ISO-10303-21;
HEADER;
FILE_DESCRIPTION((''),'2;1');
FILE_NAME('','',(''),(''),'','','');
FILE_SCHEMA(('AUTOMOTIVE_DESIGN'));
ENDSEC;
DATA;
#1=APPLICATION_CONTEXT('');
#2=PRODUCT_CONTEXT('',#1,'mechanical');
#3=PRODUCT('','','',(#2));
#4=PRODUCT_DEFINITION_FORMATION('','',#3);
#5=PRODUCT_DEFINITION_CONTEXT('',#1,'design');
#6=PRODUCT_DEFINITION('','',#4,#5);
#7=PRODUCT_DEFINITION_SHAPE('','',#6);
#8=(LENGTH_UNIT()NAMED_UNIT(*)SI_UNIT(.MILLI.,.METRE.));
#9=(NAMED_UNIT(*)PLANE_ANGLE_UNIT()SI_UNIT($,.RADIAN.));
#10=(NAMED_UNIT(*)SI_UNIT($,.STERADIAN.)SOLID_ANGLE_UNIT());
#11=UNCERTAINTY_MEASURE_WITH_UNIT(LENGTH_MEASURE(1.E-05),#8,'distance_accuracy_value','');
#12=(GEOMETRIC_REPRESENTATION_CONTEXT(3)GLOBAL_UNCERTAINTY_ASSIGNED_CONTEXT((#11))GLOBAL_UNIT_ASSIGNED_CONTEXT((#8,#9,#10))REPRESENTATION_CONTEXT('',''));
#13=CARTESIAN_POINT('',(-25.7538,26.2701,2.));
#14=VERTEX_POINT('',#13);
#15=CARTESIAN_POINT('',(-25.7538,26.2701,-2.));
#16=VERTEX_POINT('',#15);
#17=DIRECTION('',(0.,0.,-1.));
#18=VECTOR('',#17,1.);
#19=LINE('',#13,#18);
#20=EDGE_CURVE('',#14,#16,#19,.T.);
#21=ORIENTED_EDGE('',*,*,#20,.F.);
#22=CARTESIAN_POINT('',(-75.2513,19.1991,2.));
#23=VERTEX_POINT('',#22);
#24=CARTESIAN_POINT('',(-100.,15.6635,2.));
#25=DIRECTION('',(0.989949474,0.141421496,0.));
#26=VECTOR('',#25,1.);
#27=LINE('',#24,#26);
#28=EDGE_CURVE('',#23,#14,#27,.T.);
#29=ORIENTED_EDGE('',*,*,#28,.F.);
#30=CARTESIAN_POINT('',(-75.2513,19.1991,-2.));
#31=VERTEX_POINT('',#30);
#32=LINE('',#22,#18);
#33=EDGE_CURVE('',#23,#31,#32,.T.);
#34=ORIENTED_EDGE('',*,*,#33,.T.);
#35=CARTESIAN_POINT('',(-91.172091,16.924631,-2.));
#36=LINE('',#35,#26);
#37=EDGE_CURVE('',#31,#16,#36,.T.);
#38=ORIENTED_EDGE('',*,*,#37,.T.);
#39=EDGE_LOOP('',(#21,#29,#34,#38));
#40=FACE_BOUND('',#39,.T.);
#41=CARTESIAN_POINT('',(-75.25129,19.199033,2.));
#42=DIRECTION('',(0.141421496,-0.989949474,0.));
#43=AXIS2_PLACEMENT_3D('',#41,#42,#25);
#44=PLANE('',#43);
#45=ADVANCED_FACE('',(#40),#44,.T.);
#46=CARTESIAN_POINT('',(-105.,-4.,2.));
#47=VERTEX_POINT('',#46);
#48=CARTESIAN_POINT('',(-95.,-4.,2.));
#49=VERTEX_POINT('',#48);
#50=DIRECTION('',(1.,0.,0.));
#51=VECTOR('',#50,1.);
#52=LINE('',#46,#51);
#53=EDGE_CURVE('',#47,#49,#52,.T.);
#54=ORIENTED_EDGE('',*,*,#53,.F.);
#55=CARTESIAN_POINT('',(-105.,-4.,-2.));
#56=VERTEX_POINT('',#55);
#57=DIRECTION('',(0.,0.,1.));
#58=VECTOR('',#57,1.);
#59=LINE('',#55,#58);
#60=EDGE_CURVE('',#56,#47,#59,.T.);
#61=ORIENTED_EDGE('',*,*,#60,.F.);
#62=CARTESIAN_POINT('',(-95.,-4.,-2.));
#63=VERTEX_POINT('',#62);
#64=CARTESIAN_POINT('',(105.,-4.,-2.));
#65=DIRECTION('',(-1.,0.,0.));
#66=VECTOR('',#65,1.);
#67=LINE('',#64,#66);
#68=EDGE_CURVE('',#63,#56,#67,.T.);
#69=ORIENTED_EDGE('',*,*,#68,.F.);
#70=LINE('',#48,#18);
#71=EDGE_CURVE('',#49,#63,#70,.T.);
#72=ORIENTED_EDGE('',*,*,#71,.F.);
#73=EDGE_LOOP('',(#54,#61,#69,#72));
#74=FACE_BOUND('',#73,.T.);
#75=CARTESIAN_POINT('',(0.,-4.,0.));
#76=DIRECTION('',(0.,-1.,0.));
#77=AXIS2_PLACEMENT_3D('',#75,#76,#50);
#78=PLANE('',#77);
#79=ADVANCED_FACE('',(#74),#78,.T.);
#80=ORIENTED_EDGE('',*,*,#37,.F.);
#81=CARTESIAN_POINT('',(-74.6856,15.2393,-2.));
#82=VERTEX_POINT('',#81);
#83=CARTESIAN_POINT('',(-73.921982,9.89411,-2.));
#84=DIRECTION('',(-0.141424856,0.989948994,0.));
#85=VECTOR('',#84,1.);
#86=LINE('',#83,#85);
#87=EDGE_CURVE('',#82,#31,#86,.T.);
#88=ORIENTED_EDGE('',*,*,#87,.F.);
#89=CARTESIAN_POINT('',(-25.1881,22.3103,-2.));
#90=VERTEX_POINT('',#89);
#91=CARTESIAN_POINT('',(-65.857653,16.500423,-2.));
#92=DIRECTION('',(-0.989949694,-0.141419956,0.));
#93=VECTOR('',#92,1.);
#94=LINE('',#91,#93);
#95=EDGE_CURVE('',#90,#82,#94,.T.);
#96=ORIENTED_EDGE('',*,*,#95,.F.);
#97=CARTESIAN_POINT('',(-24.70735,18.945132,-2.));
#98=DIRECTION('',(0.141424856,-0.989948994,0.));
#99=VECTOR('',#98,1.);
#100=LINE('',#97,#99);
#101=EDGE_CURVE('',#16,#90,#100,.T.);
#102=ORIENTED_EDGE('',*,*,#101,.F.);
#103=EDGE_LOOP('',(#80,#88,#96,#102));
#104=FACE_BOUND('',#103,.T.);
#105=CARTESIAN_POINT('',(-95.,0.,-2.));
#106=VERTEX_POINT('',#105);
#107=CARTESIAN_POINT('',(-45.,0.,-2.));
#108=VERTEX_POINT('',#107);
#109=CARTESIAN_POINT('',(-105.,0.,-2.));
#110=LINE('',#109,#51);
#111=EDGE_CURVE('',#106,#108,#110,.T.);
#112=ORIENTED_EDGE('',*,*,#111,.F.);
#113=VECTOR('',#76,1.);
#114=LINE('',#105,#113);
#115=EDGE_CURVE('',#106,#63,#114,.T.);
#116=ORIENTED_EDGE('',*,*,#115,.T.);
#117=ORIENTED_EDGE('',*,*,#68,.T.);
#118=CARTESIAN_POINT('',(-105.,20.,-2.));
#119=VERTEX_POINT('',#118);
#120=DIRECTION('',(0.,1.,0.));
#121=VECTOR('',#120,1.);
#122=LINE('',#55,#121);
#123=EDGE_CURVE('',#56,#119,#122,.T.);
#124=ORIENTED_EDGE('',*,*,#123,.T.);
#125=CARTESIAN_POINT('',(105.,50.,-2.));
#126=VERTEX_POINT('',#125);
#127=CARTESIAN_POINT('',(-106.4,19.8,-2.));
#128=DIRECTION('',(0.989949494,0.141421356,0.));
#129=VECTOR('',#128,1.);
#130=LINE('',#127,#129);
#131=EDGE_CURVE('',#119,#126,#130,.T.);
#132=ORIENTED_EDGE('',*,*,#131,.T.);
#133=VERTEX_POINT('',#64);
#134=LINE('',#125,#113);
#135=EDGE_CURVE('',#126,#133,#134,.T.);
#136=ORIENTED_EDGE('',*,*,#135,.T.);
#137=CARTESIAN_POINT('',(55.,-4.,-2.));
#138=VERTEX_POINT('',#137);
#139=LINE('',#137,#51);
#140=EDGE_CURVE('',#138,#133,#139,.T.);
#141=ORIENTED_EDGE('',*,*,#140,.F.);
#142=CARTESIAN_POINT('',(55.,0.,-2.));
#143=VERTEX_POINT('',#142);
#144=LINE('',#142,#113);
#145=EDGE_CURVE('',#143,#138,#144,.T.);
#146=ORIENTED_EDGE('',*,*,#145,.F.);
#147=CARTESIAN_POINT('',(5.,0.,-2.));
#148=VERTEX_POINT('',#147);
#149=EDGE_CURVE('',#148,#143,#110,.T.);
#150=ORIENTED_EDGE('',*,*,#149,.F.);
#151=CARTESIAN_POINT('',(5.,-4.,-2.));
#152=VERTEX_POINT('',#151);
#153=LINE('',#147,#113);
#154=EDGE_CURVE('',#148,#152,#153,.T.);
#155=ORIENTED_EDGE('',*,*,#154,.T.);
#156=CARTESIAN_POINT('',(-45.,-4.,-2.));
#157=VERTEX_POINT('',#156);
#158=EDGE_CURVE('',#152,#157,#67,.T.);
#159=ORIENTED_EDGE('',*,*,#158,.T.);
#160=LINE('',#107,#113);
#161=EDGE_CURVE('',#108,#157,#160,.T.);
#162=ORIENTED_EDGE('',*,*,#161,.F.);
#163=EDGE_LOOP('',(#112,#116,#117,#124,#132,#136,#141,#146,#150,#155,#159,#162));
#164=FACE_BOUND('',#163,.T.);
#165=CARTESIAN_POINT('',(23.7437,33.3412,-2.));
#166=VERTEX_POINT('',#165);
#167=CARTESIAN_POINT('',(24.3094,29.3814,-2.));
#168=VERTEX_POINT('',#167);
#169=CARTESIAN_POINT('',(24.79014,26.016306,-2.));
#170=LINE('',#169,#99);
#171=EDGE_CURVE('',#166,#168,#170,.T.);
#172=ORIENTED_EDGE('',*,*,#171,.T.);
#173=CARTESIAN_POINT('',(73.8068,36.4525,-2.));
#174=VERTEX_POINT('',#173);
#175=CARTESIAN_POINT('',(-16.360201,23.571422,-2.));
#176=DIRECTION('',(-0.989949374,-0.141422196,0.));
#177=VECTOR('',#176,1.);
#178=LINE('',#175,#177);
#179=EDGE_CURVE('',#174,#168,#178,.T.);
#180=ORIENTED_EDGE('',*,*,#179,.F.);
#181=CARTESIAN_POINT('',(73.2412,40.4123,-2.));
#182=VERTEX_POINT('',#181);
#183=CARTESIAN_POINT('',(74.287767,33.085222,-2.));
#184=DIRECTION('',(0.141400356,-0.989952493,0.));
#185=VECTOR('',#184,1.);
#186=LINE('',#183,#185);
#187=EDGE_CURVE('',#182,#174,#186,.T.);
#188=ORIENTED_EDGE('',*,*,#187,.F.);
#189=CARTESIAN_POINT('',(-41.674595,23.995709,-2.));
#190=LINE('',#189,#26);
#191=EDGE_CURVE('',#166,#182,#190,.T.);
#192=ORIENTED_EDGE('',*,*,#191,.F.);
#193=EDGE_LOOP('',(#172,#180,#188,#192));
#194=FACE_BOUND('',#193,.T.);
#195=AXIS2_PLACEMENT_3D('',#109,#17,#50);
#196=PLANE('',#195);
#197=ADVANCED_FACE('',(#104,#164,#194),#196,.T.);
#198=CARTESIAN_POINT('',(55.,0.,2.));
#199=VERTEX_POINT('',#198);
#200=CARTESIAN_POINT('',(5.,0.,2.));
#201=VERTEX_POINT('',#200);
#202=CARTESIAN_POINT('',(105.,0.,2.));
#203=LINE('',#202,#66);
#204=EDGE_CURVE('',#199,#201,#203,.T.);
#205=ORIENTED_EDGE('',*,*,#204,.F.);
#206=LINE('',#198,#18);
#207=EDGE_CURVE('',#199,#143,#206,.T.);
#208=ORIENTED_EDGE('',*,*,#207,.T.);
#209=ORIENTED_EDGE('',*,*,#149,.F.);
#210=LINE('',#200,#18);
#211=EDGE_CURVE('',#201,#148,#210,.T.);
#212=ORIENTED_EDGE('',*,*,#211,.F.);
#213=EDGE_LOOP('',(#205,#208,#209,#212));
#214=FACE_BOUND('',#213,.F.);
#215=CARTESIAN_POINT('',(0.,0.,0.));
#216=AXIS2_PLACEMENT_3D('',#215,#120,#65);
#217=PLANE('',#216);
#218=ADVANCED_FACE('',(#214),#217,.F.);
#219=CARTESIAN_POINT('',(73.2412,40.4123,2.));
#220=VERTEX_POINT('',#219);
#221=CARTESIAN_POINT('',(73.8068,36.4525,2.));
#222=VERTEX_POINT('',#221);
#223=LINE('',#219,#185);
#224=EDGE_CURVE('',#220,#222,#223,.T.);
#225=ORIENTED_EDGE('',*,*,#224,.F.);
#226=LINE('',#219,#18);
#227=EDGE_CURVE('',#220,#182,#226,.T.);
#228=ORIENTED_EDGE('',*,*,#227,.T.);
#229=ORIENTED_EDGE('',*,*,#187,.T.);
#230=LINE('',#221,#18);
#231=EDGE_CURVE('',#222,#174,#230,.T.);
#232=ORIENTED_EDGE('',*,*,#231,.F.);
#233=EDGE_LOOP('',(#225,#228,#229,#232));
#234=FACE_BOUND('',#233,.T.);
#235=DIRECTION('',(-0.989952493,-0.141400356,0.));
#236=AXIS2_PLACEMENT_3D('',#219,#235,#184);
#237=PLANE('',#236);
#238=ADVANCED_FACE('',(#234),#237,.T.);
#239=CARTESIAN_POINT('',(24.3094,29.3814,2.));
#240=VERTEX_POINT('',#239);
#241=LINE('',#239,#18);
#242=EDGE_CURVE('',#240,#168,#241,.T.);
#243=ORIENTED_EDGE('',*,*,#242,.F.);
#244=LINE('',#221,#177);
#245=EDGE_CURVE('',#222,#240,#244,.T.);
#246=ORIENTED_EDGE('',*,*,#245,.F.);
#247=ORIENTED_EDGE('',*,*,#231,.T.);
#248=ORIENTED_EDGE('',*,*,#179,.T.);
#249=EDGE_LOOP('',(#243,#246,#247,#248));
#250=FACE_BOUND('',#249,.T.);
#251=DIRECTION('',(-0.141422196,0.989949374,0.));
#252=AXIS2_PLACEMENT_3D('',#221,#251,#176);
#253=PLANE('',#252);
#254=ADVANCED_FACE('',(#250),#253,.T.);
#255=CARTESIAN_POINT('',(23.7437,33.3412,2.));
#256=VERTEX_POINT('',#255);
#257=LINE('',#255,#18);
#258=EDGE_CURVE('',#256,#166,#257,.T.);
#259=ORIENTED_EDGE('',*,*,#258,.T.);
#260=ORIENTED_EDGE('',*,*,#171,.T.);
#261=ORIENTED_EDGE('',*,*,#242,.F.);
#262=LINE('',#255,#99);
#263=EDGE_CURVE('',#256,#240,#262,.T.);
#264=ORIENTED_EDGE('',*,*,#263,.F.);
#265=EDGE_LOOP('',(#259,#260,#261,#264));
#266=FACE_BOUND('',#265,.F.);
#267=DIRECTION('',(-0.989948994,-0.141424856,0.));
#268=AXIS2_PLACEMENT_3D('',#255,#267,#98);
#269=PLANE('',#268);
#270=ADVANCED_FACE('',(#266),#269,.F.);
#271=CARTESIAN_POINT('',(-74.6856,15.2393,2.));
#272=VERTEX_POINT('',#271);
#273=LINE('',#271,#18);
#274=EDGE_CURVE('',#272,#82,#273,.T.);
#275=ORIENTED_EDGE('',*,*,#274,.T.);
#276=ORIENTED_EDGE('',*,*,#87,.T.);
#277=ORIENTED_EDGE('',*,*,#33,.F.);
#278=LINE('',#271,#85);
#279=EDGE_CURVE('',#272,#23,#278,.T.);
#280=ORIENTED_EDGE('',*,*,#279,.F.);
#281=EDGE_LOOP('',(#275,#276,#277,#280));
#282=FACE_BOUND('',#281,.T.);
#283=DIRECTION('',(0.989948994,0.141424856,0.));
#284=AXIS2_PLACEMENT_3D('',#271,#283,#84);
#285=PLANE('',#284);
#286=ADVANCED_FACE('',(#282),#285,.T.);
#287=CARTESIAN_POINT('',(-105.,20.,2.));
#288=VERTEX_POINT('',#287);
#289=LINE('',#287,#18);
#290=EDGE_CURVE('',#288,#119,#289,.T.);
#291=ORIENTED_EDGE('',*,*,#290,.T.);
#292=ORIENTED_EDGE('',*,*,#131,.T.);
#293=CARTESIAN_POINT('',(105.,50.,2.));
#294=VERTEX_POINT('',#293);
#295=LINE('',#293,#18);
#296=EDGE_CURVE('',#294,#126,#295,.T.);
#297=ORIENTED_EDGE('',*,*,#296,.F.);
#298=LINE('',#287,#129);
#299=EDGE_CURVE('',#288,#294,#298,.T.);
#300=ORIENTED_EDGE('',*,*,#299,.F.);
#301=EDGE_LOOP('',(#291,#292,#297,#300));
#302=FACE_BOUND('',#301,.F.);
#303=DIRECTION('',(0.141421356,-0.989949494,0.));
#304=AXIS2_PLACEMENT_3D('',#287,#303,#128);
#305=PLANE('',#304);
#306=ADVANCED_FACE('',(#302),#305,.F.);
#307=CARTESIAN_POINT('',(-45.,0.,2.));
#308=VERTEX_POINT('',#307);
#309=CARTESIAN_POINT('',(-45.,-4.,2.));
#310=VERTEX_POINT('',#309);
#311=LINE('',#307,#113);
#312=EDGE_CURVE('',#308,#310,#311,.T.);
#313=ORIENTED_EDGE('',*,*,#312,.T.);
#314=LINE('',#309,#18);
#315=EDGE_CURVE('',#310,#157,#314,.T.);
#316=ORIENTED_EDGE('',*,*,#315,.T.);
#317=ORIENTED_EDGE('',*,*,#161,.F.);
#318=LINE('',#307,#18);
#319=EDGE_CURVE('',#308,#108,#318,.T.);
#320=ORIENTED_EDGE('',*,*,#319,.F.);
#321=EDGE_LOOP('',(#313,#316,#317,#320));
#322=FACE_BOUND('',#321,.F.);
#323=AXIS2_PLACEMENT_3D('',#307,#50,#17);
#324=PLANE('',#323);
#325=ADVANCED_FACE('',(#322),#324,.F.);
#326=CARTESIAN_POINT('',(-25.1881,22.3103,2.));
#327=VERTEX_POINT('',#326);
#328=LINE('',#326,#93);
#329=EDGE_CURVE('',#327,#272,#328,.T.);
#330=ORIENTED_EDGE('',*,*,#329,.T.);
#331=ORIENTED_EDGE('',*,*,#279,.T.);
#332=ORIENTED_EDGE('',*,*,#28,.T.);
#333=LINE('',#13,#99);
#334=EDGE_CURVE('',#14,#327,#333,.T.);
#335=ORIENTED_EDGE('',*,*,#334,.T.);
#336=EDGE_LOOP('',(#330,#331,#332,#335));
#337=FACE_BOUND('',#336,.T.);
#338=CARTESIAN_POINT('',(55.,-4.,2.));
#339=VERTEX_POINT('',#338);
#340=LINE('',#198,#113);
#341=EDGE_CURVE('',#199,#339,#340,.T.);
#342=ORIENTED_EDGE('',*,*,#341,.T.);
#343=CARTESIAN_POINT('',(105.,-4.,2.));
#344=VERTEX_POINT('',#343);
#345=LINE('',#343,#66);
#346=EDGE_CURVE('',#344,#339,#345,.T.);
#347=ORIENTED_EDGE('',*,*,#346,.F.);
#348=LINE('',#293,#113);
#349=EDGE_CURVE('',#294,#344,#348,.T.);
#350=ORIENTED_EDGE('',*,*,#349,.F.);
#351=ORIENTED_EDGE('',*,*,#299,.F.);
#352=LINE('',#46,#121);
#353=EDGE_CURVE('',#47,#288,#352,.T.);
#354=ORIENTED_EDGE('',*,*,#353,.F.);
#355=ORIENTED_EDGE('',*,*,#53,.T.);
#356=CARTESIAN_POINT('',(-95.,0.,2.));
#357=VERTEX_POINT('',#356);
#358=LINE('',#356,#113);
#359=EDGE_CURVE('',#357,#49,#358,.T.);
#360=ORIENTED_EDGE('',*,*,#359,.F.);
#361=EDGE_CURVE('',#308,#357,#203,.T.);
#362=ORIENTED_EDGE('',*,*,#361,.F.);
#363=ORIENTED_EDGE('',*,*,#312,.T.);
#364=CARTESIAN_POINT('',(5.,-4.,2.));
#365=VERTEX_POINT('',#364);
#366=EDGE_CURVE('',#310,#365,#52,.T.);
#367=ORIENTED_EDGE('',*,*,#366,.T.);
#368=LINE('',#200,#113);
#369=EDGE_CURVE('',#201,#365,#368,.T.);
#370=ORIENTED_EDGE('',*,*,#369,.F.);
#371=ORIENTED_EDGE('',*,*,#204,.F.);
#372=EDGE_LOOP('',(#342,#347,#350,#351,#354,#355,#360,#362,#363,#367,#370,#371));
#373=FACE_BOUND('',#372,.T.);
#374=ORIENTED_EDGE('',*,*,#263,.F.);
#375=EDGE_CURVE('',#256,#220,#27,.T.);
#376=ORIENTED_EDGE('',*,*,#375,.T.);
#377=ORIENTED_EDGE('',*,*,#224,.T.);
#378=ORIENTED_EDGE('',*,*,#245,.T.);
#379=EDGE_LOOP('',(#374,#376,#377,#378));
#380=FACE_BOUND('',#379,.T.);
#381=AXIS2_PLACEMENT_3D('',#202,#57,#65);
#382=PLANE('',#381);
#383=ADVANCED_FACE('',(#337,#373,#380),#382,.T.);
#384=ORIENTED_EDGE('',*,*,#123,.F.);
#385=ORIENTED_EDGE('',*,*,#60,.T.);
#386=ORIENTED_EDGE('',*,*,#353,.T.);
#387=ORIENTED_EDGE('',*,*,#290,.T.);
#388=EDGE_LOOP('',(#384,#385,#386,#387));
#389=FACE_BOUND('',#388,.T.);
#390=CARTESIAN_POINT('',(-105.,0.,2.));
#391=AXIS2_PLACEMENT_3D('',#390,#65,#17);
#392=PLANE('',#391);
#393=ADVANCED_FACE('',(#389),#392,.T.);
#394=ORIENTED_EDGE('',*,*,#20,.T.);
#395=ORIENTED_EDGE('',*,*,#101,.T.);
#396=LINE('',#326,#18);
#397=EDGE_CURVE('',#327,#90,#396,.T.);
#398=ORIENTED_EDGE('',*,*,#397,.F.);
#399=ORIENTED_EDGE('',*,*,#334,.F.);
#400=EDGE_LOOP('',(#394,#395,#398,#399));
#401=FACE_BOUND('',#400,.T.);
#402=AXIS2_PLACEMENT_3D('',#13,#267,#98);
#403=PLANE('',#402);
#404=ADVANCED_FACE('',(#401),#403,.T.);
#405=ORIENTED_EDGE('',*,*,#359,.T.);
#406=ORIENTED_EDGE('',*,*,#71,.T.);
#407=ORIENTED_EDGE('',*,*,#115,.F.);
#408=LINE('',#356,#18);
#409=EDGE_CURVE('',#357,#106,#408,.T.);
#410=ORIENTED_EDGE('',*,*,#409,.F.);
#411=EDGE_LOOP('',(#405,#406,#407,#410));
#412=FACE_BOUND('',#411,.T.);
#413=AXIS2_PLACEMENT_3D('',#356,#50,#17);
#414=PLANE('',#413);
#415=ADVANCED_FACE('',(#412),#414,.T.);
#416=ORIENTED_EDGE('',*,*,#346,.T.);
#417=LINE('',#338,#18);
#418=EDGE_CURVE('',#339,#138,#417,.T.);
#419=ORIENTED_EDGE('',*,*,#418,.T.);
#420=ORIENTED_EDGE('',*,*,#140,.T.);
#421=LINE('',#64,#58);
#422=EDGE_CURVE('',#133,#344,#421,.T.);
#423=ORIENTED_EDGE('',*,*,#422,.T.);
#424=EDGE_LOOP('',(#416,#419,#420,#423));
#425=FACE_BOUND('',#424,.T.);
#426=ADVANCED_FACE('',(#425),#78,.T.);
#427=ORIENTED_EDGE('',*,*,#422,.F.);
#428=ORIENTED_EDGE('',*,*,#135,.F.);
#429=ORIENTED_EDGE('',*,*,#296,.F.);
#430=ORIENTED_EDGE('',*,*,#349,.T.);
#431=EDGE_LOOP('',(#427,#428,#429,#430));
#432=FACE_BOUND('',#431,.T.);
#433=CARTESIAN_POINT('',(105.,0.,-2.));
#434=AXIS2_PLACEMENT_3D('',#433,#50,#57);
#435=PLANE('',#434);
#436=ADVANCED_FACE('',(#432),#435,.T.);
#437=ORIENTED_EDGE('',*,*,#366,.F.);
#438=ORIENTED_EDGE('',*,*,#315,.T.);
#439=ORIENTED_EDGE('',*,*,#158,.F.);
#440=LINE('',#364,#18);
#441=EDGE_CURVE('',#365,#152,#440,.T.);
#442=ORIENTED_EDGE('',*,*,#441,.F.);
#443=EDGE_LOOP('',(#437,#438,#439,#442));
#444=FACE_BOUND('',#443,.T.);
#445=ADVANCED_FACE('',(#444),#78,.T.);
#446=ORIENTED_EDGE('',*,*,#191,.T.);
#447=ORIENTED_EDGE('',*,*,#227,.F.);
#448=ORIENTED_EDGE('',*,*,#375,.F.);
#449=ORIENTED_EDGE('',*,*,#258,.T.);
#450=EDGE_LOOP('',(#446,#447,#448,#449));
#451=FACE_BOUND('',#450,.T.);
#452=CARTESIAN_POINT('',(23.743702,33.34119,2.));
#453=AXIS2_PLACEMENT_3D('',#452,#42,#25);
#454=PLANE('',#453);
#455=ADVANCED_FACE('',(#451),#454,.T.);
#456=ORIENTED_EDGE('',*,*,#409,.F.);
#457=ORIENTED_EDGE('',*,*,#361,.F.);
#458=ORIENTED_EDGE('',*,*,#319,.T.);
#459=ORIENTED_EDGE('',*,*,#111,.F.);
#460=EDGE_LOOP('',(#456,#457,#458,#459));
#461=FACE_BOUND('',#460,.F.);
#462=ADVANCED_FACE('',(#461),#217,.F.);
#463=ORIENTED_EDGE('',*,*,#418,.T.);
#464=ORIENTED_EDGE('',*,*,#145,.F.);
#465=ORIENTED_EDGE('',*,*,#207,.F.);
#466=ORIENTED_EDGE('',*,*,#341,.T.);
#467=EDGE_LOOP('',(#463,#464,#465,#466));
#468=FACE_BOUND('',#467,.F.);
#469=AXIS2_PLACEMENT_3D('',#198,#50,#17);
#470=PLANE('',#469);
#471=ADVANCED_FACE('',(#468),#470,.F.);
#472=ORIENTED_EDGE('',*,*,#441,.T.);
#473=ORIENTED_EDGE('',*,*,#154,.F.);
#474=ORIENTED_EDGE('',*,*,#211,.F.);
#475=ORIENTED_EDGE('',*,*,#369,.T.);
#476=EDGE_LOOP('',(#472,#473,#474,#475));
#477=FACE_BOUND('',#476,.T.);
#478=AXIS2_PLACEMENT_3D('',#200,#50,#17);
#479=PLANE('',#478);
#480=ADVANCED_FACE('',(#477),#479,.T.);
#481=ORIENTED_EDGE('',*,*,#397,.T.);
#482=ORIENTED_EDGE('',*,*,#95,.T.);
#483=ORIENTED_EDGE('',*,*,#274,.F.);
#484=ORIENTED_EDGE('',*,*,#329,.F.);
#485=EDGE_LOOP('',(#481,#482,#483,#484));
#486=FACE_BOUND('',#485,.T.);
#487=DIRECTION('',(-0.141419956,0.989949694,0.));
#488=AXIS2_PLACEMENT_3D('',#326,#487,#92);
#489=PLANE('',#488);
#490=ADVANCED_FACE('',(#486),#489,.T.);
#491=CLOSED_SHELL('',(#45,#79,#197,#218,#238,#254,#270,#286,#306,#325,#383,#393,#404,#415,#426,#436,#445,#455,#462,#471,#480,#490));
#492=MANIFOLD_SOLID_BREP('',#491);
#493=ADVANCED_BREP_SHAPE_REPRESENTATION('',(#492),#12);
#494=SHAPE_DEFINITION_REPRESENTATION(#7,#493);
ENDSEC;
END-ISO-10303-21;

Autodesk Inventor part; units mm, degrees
ref_plane "YZ Plane" through (0, 0, 0) normal (1, 0, 0) x (0, 1, 0)
ref_plane "XZ Plane" through (0, 0, 0) normal (0, 1, 0) x (-1, 0, 0)
ref_plane "XY Plane" through (0, 0, 0) normal (0, 0, 1) x (1, 0, 0)
sketch "Sketch2" plane through (0, 0, 0) normal (0, 1, 0) x (-1, 0, 0)
  line L0 (105, -2) -> (-105, -2)
  line L1 (-105, -2) -> (-105, 2)
  line L2 (-105, 2) -> (105, 2)
  line L3 (105, 2) -> (105, -2)
  line L4 (105, -2) -> (-105, 2) construction
  line L5 (-105, -2) -> (105, 2) construction
  point P0 (0, 0)
  dimension "d1" = 210
  dimension "d2" = 4
extrude "Extrusion1" add sketch "Sketch2" along normal blind 100
sketch "Sketch3" plane through (-105, 0, 2) normal (0, 0, 1) x (1, 0, 0)
  line L0 (0, 0) -> (0, 100) projected
  line L1 (0, 20) -> (210, 50)
  line L2 (210, 0) -> (210, 100) projected
  line L3 (0, 0) -> (210, 0) projected
  line L4 (0, 0) -> (210, 0) projected
  line L5 (210, 0) -> (210, 100) projected
  line L6 (0, 100) -> (210, 100) projected
  line L7 (0, 0) -> (0, 100) projected
  point P0 (105, 0)
  dimension "d5" = 20
  dimension "d37" = 30
extrude "Extrusion2" cut sketch "Sketch3" against normal up to next contours L0 L6 L2 L1
sketch "Sketch4" plane through (0, 0, 0) normal (0, -1, 0) x (1, 0, 0)
  line L0 (105, 2) -> (55, 2)
  line L1 (55, 2) -> (55, -2)
  line L2 (55, -2) -> (105, -2)
  line L3 (105, -2) -> (105, 2)
  line L4 (-105, 2) -> (105, 2) projected
  line L5 (-105, -2) -> (-105, 2) projected
  line L6 (105, -2) -> (-105, -2) projected
  line L7 (105, 2) -> (105, -2) projected
  line L8 (55, 2) -> (5, 2)
  line L9 (5, 2) -> (5, -2)
  line L10 (5, -2) -> (55, -2)
  line L11 (55, -2) -> (55, 2)
  line L12 (5, 2) -> (-45, 2)
  line L13 (-45, 2) -> (-45, -2)
  line L14 (-45, -2) -> (5, -2)
  line L15 (5, -2) -> (5, 2)
  line L16 (-45, 2) -> (-95, 2)
  line L17 (-95, 2) -> (-95, -2)
  line L18 (-95, -2) -> (-45, -2)
  line L19 (-45, -2) -> (-45, 2)
  point P0 (0, 0)
  point P1 (55, -2)
  point P2 (5, -2)
  point P3 (-45, -2)
  dimension "d9" = 50
  dimension "d10" = 4
  dimension "d13" = 50
extrude "Extrusion3" add sketch "Sketch4" along normal blind 4 contours L3 L2 L1 L0 | L9 L6 L13 L4 | L17 L6 L5 L4
sketch "Sketch5" plane through (-95, 0, 2) normal (0, 0, 1) x (1, 0, 0)
  line L0 (-10, 20) -> (-10, -4) projected
  line L1 (0, -4) -> (-10, -4) projected
  line L2 (0, 0) -> (0, -4) projected
  line L3 (0, 0) -> (50, 0) projected
  line L4 (50, 0) -> (50, -4) projected
  line L5 (100, -4) -> (50, -4) projected
  line L6 (100, 0) -> (100, -4) projected
  line L7 (100, 0) -> (150, 0) projected
  line L8 (150, 0) -> (150, -4) projected
  line L9 (200, -4) -> (150, -4) projected
  line L10 (200, -4) -> (200, 50) projected
  line L11 (200, 50) -> (-10, 20) projected
  line L12 (-5, 15.6635) -> (192.9899, 43.9478)
  line L13 (19.7487, 19.1991) -> (69.2462, 26.2701)
  line L14 (69.2462, 26.2701) -> (69.8119, 22.3103)
  line L15 (69.8119, 22.3103) -> (20.3144, 15.2393)
  line L16 (20.3144, 15.2393) -> (19.7487, 19.1991)
  line L17 (118.7437, 33.3412) -> (119.3094, 29.3814)
  line L18 (69.8119, 22.3103) -> (69.2462, 26.2701)
  line L19 (119.3094, 29.3814) -> (69.8119, 22.3103)
  line L20 (69.2462, 26.2701) -> (118.7437, 33.3412)
  line L21 (168.2412, 40.4123) -> (168.8068, 36.4525)
  line L22 (119.3094, 29.3814) -> (118.7437, 33.3412)
  line L23 (168.8068, 36.4525) -> (119.3094, 29.3814)
  line L24 (118.7437, 33.3412) -> (168.2412, 40.4123)
  line L25 (200, 50) -> (-10, 20) projected
  point P0 (95, 0)
  point P1 (200, 100)
  point P2 (168.2412, 40.4123)
  dimension "d20" = 200
  dimension "d24" = 4
  dimension "d25" = 50
  dimension "d26" = 5
  dimension "d27" = 25
  dimension "d30" = 50
extrude "Extrusion4" cut sketch "Sketch5" against normal up to next contours L12 L14 L15 L16 | L12 L21 L23 L17
properties part number "ControlPanelSide_V1"
